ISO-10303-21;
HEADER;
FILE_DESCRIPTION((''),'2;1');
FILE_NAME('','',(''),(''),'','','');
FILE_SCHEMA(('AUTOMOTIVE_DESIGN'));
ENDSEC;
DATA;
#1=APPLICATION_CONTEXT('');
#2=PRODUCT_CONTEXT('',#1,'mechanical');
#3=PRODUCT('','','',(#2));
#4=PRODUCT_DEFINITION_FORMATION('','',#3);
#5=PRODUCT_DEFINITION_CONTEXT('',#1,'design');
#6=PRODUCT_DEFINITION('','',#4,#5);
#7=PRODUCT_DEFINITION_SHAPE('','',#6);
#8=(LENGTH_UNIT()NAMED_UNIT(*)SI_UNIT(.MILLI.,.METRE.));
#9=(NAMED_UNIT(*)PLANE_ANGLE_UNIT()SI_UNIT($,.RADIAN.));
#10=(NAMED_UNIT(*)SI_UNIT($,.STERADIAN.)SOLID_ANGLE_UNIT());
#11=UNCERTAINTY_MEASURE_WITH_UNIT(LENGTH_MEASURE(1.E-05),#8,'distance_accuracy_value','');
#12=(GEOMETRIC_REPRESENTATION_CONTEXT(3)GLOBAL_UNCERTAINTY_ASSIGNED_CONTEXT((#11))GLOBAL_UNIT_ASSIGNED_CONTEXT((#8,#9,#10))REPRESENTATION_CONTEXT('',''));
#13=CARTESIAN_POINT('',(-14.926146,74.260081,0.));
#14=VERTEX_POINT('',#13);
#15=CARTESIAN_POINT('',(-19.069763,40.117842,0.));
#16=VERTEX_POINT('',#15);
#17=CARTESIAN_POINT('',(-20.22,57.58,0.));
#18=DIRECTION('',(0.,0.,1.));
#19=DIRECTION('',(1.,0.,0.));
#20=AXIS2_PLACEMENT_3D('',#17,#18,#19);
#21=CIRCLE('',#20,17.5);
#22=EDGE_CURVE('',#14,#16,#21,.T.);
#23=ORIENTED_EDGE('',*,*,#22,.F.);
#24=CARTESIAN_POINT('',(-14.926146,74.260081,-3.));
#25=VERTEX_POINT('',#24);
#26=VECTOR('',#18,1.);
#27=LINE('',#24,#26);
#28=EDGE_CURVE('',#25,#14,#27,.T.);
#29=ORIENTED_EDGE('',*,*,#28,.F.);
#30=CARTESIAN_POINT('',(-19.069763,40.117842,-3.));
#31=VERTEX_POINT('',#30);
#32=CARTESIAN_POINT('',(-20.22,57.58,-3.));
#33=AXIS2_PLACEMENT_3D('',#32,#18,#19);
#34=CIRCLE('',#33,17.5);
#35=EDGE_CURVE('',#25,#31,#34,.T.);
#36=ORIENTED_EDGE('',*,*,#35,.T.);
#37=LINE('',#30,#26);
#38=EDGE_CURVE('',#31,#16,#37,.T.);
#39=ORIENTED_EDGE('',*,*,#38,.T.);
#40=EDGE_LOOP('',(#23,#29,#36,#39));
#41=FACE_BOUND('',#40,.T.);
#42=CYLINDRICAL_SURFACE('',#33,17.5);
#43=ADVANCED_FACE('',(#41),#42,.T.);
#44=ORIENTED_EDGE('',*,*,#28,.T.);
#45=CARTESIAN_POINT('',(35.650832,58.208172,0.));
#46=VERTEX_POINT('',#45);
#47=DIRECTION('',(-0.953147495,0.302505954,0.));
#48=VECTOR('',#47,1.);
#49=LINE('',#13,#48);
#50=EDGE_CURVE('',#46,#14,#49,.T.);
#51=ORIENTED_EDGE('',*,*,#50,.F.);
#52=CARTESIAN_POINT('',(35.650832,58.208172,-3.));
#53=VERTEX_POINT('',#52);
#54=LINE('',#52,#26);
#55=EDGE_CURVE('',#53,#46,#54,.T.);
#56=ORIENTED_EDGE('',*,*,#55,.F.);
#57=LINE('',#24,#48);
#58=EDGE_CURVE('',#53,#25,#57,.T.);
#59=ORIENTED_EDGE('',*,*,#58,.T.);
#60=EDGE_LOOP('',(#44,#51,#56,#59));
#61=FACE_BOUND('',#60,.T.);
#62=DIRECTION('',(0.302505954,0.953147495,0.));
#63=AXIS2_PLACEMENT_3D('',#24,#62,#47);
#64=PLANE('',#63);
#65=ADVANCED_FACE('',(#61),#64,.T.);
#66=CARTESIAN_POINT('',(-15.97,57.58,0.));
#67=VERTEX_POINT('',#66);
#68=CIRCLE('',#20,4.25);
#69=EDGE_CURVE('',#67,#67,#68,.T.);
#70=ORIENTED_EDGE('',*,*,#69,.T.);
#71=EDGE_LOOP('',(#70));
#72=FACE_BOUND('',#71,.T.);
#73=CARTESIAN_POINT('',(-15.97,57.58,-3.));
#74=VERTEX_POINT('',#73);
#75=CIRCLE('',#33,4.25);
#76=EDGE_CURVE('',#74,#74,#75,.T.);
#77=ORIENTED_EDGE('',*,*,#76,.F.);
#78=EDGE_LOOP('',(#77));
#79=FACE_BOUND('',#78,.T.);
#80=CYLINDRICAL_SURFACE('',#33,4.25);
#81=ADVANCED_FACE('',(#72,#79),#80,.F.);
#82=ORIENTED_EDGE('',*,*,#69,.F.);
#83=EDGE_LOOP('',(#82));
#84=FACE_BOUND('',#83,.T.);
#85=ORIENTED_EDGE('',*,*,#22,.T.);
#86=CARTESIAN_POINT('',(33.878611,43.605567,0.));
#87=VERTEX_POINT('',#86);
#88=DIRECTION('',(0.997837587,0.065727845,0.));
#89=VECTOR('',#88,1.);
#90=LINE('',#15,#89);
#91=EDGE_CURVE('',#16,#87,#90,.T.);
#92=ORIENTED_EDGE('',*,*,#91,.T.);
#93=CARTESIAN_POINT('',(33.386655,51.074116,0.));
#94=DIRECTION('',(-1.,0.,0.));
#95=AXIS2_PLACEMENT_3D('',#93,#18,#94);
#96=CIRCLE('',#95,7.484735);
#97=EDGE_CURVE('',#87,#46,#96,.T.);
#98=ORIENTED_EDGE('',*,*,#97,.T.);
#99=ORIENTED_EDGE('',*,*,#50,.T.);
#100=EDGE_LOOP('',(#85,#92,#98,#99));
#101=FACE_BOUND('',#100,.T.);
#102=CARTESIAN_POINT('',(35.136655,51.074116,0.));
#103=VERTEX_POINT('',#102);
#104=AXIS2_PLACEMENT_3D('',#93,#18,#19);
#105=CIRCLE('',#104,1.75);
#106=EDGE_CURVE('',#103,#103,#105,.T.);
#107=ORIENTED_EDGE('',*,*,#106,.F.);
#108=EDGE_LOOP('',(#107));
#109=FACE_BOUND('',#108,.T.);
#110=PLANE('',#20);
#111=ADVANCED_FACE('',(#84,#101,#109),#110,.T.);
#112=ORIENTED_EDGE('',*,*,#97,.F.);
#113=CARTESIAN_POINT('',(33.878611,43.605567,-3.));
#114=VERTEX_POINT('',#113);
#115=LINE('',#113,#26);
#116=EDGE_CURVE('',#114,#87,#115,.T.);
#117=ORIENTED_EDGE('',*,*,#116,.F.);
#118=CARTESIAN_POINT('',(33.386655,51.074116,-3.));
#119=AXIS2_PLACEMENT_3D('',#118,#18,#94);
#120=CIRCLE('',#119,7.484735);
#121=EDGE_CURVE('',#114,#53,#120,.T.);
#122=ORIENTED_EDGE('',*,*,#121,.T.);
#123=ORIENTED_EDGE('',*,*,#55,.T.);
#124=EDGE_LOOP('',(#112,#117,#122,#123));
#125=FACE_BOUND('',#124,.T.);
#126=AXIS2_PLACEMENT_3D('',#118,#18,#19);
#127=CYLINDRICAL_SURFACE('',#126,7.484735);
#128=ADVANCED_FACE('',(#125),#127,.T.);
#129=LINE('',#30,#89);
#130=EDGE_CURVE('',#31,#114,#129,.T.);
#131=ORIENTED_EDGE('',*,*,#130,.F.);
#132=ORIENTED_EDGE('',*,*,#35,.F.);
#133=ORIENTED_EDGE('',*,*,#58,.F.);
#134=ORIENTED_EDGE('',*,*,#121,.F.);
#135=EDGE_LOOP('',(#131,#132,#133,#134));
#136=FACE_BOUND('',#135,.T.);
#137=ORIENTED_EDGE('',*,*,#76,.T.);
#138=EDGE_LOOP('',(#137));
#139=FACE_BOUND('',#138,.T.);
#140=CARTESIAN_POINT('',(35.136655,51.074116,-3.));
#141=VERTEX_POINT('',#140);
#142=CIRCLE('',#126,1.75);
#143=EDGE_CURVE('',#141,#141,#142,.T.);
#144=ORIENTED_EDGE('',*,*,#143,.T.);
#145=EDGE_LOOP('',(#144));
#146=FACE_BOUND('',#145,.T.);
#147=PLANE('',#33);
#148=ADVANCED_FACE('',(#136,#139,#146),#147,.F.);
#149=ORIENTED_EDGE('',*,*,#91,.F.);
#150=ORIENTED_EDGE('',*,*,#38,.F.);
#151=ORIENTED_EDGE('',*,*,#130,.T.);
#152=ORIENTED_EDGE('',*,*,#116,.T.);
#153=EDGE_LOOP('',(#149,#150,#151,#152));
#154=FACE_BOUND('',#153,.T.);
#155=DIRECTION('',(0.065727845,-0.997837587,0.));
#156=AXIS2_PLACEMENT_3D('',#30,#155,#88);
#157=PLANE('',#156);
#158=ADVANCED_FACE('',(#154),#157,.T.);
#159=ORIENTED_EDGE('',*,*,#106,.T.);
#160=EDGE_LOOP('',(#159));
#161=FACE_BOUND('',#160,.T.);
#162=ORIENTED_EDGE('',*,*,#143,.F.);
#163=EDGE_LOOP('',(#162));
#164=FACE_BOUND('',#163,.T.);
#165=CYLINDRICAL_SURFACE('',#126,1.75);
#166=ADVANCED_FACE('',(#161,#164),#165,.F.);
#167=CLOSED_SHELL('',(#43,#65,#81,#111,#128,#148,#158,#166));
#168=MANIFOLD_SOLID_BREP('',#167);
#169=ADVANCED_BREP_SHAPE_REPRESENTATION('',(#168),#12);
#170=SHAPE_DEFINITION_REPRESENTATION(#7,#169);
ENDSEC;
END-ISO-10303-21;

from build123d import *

# Parameters (mm, degrees)
SKETCH1_R           = 1.75
SKETCH1_R_2         = 4.25
BOSS_EXTRUDE1_DEPTH = 3


with BuildPart() as part:
    # Sketch1 → Boss-Extrude1 (new body)
    with BuildSketch(Plane.XY):
        with BuildLine():
            Line((-14.926145808, 74.260081169), (35.650831913, 58.208172139))
            ThreePointArc((35.650831913, 58.208172139), (40.816869698, 50.172360282), (33.878610609, 43.60556659))
            Line((33.878610609, 43.60556659), (-19.069762715, 40.117842224))
            ThreePointArc((-19.069762715, 40.117842224), (-37.592527127, 59.6883883), (-14.926145808, 74.260081169))
        make_face()
        with Locations((33.386655135, 51.074116103)):
            Circle(SKETCH1_R, mode=Mode.SUBTRACT)
        with Locations((-20.22, 57.58)):
            Circle(SKETCH1_R_2, mode=Mode.SUBTRACT)
    extrude(amount=-BOSS_EXTRUDE1_DEPTH)


solid = part.part
